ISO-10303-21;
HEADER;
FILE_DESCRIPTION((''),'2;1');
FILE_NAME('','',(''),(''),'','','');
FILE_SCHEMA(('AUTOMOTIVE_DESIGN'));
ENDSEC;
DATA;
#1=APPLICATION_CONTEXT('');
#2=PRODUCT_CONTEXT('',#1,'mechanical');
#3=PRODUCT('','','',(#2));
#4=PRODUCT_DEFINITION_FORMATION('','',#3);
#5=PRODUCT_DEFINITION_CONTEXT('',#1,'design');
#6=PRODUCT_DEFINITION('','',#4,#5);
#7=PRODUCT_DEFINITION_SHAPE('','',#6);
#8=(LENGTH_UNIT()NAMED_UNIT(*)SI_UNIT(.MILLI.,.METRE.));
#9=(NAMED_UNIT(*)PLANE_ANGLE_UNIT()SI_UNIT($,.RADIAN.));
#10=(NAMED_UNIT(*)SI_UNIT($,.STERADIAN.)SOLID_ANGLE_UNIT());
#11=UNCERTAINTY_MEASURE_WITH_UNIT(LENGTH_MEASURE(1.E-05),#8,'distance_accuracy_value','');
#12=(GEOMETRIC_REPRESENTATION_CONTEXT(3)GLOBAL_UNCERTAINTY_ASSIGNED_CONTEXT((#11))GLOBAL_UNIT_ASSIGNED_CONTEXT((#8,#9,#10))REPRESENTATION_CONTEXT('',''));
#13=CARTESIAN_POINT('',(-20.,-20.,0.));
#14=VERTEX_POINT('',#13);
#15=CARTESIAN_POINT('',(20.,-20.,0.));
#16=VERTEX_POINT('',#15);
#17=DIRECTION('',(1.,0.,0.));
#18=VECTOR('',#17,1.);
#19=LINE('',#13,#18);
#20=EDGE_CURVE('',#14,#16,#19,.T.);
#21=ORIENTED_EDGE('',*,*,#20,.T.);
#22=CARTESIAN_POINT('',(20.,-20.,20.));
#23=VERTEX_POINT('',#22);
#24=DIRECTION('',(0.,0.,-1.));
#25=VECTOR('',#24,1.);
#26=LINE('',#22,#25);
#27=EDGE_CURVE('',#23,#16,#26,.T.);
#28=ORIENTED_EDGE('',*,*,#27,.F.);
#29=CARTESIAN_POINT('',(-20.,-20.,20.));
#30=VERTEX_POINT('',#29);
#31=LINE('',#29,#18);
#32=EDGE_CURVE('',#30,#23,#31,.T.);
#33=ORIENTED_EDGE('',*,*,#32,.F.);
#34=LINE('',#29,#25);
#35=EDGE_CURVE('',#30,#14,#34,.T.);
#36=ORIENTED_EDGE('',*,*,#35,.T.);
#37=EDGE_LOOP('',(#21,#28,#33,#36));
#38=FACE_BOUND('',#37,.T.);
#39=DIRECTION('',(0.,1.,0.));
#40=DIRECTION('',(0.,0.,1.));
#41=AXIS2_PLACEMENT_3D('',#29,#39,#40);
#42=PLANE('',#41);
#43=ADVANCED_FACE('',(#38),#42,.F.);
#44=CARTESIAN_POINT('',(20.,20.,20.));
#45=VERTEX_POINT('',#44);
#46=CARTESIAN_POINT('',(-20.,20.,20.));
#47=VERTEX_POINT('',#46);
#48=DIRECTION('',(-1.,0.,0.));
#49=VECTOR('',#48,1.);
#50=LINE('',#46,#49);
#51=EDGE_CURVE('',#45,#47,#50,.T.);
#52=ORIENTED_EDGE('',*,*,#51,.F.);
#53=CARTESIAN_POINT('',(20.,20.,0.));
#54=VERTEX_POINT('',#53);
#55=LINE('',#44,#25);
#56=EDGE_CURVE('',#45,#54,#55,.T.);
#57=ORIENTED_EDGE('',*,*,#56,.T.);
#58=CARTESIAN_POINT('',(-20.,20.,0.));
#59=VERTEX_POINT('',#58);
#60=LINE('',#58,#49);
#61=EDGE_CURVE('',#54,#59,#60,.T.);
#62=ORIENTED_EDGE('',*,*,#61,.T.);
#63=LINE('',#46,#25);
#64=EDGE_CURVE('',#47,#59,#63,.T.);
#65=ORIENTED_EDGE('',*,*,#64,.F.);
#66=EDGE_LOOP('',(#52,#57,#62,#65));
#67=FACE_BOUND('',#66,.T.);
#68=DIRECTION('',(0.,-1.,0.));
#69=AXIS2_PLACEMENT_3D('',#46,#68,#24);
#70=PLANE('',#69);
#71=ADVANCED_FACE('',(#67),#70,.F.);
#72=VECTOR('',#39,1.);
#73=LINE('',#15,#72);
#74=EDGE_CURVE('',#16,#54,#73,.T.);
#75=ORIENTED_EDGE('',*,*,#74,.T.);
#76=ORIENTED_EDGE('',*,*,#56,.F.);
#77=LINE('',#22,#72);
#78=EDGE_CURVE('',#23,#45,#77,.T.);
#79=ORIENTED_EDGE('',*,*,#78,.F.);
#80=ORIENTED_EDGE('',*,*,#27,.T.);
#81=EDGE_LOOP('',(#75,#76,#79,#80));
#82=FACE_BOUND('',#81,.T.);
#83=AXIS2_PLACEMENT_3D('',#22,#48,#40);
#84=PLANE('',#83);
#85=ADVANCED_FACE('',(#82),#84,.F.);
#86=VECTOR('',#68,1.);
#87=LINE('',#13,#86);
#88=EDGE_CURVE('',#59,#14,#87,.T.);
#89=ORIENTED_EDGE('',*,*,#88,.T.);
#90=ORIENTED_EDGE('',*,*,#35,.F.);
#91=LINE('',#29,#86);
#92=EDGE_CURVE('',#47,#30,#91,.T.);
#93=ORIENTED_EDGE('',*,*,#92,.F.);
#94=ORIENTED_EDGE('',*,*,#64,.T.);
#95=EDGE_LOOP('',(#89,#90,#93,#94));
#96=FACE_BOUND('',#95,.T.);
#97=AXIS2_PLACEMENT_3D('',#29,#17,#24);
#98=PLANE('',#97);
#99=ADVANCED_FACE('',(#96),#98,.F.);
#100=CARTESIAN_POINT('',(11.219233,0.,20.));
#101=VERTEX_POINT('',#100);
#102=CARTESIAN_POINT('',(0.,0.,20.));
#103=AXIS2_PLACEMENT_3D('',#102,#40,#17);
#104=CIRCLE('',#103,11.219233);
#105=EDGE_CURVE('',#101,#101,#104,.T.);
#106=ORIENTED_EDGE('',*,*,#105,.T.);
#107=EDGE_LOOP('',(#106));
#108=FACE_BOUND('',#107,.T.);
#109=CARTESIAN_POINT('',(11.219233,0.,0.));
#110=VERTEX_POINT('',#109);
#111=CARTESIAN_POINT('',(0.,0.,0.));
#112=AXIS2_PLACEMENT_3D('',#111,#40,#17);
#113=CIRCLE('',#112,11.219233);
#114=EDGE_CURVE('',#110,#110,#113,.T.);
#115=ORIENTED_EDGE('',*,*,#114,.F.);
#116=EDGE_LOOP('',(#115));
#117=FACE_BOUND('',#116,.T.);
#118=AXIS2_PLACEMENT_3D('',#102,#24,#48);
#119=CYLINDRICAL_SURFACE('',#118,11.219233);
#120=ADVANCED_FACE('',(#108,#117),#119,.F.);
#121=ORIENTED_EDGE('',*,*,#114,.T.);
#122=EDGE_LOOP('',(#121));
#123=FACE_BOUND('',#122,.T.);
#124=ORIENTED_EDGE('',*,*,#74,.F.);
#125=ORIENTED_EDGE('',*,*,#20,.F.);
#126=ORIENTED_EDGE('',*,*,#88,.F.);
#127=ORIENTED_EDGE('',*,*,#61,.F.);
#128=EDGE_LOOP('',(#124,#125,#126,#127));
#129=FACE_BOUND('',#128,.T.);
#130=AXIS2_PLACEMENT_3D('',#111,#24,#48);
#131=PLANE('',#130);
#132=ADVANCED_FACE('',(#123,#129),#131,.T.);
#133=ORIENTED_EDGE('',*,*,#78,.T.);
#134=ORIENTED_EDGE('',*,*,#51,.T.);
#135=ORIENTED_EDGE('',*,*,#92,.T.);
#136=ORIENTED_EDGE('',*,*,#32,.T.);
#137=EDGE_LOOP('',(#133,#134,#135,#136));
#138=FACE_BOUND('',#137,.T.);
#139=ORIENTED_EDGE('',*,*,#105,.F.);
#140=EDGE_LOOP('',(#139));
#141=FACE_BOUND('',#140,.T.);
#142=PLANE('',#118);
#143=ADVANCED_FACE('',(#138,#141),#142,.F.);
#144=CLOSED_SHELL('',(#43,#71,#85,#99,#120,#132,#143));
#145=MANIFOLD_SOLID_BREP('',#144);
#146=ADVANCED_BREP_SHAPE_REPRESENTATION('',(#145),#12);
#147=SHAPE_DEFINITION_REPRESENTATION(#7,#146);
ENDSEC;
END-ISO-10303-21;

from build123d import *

# Parameters (mm, degrees)
SKETCH1_W           = 40
SKETCH1_H           = 40
SKETCH1_R           = 11.219232615
BOSS_EXTRUDE1_DEPTH = 20


with BuildPart() as part:
    # Sketch1 → Boss-Extrude1 (new body)
    with BuildSketch(Plane.XY):
        Rectangle(SKETCH1_W, SKETCH1_H)
        Circle(SKETCH1_R, mode=Mode.SUBTRACT)
    extrude(amount=BOSS_EXTRUDE1_DEPTH)


solid = part.part
